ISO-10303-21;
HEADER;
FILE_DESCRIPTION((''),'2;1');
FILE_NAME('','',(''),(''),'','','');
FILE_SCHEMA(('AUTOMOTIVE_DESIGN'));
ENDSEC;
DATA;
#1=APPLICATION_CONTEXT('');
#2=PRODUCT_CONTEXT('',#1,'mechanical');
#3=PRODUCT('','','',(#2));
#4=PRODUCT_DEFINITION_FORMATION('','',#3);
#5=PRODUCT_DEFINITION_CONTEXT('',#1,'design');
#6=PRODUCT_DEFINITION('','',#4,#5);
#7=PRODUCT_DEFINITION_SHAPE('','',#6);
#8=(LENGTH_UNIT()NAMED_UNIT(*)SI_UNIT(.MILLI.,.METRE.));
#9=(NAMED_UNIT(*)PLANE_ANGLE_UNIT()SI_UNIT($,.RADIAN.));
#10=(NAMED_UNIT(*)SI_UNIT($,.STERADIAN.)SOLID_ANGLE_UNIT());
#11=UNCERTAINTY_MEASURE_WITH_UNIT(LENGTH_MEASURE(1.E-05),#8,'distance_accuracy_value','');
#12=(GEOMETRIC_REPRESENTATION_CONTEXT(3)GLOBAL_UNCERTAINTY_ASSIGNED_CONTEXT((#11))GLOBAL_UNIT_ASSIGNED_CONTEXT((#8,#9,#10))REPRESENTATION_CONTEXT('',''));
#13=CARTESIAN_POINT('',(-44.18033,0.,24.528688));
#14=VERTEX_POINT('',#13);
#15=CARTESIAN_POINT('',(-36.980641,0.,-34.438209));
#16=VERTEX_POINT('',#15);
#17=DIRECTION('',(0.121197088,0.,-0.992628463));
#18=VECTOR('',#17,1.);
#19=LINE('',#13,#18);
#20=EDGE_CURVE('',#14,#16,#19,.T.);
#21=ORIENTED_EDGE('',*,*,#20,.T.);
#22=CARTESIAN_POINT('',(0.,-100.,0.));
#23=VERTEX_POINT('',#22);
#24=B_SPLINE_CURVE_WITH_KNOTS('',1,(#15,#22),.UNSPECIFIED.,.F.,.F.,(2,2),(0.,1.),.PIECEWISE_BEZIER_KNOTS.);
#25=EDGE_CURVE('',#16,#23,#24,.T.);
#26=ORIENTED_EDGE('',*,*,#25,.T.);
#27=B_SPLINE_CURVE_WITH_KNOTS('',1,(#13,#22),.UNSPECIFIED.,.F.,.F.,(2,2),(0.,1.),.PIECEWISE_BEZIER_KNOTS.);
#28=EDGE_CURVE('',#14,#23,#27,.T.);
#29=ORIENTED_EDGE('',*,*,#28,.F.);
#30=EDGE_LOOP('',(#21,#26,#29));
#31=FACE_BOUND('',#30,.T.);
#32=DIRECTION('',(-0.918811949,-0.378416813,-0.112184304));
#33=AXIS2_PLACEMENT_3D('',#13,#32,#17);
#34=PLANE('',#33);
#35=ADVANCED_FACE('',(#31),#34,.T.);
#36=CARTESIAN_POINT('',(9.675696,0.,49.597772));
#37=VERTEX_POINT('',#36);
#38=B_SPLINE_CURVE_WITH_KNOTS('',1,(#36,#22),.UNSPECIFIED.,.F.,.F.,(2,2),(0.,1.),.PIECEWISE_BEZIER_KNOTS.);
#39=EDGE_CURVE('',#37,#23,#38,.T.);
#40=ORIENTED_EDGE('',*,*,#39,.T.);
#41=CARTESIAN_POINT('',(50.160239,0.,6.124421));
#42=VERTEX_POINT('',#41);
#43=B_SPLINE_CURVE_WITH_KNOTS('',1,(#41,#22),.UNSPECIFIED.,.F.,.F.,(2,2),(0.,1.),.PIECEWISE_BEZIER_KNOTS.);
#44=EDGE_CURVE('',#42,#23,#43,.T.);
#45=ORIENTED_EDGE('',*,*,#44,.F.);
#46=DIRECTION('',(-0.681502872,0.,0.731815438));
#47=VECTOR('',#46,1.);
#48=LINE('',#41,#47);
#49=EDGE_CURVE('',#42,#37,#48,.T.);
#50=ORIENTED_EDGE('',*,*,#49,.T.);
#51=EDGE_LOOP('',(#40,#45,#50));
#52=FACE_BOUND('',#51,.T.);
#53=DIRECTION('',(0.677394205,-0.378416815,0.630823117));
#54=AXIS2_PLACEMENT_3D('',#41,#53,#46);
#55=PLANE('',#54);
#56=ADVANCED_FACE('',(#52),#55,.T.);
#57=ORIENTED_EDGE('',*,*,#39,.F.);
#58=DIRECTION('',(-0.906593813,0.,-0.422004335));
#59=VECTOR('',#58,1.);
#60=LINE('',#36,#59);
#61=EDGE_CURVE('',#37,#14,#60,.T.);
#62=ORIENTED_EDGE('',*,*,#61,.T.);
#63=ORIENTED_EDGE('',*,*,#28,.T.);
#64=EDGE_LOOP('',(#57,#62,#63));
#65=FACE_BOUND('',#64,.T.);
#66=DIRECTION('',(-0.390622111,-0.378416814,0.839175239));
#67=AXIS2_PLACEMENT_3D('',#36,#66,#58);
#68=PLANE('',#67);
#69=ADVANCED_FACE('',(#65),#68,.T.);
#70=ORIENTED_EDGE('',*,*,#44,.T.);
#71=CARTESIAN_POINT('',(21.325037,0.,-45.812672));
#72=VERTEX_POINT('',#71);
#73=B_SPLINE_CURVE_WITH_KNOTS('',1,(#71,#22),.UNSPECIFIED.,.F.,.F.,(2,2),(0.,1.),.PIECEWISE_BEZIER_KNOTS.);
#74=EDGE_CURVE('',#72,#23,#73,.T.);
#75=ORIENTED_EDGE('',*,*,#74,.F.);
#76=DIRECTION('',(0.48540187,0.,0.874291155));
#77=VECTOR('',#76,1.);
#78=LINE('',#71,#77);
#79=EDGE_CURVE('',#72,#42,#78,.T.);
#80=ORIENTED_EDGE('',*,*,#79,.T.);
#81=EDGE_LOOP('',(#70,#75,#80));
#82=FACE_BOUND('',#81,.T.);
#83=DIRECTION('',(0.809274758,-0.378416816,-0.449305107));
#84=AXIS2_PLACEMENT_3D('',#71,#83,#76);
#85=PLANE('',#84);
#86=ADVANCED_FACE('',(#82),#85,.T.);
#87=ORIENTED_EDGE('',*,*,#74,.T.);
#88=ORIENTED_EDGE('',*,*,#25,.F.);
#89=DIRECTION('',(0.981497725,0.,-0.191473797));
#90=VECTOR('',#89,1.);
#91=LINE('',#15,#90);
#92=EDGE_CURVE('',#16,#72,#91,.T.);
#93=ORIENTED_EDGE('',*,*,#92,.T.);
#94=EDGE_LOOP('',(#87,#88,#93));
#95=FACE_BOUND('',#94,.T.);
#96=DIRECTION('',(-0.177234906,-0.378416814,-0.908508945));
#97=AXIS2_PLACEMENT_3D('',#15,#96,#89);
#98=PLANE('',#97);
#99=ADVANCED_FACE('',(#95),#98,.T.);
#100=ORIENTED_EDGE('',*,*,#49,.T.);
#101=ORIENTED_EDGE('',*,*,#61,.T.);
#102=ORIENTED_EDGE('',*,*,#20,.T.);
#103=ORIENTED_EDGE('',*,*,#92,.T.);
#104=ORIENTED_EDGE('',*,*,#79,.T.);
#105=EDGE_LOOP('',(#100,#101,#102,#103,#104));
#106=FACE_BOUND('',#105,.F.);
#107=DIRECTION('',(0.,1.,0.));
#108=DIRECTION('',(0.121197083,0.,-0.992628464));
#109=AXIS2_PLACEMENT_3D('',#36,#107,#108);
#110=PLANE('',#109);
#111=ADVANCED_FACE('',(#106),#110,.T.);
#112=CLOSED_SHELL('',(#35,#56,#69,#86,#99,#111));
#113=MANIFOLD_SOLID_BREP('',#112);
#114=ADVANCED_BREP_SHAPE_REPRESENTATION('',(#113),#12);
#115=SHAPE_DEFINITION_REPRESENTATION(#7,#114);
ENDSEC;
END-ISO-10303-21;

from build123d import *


with BuildPart() as f3:
    # F0 (on Front) → F3 section 0
    with BuildSketch(Plane.XZ, mode=Mode.PRIVATE) as f3_s0:
        Polygon((9.675696, 49.597772), (-44.18033, 24.528688), (-36.980641, -34.438209), (21.325037, -45.812672), (50.160239, 6.124421), align=None)
    loft([f3_s0.sketch, Vertex(0, -100, 0)])


solid = f3.part
